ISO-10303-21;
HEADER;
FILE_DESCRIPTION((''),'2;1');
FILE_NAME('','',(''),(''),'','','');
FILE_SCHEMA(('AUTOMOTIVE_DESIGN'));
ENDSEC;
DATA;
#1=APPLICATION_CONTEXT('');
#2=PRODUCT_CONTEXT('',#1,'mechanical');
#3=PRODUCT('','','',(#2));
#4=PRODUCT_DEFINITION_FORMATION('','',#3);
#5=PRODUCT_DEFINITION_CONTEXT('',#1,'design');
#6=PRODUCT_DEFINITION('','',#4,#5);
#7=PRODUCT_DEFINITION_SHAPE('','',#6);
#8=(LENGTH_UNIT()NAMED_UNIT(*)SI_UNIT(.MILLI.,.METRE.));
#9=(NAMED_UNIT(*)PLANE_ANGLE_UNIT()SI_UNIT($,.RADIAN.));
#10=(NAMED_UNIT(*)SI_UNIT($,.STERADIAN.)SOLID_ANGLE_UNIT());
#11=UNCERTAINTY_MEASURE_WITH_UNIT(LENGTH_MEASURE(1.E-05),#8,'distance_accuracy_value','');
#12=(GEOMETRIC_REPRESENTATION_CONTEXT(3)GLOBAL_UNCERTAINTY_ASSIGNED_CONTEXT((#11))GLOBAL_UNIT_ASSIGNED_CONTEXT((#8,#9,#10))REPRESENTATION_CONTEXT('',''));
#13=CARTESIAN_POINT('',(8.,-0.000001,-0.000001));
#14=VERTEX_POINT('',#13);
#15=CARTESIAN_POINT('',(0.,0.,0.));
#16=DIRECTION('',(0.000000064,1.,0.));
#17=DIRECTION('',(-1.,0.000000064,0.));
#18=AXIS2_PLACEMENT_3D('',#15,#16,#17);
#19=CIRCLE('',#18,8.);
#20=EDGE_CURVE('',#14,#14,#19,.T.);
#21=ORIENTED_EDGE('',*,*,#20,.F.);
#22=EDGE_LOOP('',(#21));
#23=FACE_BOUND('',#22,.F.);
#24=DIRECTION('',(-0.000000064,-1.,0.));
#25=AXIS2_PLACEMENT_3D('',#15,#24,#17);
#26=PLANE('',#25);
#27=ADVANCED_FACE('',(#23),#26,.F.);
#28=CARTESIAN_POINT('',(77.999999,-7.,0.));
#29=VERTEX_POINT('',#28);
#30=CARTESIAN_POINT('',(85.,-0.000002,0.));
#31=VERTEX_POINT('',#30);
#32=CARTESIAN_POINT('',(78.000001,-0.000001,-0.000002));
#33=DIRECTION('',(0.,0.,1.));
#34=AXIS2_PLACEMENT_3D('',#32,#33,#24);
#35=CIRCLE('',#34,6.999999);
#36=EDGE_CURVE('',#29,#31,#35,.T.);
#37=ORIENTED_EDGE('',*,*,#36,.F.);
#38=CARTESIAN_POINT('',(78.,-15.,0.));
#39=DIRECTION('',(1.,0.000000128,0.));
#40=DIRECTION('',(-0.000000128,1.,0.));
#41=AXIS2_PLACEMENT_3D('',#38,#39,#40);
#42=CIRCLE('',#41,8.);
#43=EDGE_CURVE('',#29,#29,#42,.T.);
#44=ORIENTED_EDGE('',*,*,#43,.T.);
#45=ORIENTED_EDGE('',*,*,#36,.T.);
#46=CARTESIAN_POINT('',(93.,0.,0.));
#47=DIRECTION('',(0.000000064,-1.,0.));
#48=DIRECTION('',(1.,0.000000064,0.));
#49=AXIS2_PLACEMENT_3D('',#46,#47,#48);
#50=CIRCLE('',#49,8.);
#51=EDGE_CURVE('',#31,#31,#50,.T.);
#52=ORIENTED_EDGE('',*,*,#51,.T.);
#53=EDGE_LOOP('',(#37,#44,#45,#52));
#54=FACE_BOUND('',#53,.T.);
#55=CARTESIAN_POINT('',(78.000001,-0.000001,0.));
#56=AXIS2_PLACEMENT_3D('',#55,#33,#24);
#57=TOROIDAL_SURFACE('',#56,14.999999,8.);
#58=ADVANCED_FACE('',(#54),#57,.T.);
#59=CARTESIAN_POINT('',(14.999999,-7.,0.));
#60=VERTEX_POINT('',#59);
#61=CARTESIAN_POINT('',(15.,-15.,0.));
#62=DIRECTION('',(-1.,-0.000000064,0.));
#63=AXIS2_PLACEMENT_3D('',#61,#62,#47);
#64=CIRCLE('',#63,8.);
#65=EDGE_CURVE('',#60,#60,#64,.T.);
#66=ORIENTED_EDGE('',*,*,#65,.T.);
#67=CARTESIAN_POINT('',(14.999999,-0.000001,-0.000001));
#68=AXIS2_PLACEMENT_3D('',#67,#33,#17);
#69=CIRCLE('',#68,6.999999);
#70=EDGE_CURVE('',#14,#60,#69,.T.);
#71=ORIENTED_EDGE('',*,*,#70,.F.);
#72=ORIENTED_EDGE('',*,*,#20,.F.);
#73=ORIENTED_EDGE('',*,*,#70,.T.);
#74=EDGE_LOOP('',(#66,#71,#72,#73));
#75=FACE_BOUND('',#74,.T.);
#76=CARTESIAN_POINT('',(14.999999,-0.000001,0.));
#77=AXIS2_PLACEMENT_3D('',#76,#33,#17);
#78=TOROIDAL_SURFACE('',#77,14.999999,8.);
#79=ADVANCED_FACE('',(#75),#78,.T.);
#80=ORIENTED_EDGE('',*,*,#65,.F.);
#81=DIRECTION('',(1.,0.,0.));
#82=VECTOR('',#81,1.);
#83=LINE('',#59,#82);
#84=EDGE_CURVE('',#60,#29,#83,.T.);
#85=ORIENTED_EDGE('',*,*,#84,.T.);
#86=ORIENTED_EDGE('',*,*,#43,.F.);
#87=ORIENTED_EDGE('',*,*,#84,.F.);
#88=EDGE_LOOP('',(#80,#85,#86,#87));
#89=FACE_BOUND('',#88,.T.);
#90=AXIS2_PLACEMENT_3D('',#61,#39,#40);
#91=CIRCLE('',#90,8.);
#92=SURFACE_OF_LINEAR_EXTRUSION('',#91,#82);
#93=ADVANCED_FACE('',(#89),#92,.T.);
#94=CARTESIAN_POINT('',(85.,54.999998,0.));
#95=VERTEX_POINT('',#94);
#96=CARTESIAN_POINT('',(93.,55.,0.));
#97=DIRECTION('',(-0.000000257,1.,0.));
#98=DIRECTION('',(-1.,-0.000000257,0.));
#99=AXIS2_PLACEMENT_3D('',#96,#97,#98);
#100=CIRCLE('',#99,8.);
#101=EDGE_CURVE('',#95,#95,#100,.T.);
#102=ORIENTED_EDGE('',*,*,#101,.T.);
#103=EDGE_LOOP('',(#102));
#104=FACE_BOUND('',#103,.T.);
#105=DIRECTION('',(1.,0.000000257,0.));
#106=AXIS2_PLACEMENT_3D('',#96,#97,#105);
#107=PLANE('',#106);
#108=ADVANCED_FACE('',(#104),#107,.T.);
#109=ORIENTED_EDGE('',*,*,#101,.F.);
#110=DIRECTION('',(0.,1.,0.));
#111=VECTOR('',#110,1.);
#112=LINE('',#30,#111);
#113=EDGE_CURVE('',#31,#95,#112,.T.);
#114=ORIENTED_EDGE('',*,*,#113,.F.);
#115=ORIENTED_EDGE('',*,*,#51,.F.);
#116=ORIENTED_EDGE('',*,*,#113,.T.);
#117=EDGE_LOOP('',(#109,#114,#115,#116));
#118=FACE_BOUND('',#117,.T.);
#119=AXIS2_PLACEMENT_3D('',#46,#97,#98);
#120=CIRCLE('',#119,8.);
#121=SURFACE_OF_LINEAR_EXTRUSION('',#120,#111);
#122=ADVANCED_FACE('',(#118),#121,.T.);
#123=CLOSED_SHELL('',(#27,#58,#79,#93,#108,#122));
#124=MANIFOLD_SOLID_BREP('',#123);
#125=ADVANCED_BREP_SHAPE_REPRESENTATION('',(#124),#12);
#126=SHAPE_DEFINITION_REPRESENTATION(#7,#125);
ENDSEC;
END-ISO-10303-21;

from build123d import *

# Parameters (mm, degrees)
F0_R = 8


with BuildPart() as f2:
    # F2: sweep along a path in F1
    with BuildLine(Plane.XY) as f2_path:
        ThreePointArc((0, 0), (4.393398, -10.606602), (15, -15))
        Line((15, -15), (78, -15))
        ThreePointArc((78, -15), (88.606602, -10.606602), (93, 0))
        Line((93, 0), (93, 55))
    # F0 (on Front) → F2 (sweep)
    with BuildSketch(Plane.XZ):
        Circle(F0_R)
    sweep(path=f2_path.line)


solid = f2.part
